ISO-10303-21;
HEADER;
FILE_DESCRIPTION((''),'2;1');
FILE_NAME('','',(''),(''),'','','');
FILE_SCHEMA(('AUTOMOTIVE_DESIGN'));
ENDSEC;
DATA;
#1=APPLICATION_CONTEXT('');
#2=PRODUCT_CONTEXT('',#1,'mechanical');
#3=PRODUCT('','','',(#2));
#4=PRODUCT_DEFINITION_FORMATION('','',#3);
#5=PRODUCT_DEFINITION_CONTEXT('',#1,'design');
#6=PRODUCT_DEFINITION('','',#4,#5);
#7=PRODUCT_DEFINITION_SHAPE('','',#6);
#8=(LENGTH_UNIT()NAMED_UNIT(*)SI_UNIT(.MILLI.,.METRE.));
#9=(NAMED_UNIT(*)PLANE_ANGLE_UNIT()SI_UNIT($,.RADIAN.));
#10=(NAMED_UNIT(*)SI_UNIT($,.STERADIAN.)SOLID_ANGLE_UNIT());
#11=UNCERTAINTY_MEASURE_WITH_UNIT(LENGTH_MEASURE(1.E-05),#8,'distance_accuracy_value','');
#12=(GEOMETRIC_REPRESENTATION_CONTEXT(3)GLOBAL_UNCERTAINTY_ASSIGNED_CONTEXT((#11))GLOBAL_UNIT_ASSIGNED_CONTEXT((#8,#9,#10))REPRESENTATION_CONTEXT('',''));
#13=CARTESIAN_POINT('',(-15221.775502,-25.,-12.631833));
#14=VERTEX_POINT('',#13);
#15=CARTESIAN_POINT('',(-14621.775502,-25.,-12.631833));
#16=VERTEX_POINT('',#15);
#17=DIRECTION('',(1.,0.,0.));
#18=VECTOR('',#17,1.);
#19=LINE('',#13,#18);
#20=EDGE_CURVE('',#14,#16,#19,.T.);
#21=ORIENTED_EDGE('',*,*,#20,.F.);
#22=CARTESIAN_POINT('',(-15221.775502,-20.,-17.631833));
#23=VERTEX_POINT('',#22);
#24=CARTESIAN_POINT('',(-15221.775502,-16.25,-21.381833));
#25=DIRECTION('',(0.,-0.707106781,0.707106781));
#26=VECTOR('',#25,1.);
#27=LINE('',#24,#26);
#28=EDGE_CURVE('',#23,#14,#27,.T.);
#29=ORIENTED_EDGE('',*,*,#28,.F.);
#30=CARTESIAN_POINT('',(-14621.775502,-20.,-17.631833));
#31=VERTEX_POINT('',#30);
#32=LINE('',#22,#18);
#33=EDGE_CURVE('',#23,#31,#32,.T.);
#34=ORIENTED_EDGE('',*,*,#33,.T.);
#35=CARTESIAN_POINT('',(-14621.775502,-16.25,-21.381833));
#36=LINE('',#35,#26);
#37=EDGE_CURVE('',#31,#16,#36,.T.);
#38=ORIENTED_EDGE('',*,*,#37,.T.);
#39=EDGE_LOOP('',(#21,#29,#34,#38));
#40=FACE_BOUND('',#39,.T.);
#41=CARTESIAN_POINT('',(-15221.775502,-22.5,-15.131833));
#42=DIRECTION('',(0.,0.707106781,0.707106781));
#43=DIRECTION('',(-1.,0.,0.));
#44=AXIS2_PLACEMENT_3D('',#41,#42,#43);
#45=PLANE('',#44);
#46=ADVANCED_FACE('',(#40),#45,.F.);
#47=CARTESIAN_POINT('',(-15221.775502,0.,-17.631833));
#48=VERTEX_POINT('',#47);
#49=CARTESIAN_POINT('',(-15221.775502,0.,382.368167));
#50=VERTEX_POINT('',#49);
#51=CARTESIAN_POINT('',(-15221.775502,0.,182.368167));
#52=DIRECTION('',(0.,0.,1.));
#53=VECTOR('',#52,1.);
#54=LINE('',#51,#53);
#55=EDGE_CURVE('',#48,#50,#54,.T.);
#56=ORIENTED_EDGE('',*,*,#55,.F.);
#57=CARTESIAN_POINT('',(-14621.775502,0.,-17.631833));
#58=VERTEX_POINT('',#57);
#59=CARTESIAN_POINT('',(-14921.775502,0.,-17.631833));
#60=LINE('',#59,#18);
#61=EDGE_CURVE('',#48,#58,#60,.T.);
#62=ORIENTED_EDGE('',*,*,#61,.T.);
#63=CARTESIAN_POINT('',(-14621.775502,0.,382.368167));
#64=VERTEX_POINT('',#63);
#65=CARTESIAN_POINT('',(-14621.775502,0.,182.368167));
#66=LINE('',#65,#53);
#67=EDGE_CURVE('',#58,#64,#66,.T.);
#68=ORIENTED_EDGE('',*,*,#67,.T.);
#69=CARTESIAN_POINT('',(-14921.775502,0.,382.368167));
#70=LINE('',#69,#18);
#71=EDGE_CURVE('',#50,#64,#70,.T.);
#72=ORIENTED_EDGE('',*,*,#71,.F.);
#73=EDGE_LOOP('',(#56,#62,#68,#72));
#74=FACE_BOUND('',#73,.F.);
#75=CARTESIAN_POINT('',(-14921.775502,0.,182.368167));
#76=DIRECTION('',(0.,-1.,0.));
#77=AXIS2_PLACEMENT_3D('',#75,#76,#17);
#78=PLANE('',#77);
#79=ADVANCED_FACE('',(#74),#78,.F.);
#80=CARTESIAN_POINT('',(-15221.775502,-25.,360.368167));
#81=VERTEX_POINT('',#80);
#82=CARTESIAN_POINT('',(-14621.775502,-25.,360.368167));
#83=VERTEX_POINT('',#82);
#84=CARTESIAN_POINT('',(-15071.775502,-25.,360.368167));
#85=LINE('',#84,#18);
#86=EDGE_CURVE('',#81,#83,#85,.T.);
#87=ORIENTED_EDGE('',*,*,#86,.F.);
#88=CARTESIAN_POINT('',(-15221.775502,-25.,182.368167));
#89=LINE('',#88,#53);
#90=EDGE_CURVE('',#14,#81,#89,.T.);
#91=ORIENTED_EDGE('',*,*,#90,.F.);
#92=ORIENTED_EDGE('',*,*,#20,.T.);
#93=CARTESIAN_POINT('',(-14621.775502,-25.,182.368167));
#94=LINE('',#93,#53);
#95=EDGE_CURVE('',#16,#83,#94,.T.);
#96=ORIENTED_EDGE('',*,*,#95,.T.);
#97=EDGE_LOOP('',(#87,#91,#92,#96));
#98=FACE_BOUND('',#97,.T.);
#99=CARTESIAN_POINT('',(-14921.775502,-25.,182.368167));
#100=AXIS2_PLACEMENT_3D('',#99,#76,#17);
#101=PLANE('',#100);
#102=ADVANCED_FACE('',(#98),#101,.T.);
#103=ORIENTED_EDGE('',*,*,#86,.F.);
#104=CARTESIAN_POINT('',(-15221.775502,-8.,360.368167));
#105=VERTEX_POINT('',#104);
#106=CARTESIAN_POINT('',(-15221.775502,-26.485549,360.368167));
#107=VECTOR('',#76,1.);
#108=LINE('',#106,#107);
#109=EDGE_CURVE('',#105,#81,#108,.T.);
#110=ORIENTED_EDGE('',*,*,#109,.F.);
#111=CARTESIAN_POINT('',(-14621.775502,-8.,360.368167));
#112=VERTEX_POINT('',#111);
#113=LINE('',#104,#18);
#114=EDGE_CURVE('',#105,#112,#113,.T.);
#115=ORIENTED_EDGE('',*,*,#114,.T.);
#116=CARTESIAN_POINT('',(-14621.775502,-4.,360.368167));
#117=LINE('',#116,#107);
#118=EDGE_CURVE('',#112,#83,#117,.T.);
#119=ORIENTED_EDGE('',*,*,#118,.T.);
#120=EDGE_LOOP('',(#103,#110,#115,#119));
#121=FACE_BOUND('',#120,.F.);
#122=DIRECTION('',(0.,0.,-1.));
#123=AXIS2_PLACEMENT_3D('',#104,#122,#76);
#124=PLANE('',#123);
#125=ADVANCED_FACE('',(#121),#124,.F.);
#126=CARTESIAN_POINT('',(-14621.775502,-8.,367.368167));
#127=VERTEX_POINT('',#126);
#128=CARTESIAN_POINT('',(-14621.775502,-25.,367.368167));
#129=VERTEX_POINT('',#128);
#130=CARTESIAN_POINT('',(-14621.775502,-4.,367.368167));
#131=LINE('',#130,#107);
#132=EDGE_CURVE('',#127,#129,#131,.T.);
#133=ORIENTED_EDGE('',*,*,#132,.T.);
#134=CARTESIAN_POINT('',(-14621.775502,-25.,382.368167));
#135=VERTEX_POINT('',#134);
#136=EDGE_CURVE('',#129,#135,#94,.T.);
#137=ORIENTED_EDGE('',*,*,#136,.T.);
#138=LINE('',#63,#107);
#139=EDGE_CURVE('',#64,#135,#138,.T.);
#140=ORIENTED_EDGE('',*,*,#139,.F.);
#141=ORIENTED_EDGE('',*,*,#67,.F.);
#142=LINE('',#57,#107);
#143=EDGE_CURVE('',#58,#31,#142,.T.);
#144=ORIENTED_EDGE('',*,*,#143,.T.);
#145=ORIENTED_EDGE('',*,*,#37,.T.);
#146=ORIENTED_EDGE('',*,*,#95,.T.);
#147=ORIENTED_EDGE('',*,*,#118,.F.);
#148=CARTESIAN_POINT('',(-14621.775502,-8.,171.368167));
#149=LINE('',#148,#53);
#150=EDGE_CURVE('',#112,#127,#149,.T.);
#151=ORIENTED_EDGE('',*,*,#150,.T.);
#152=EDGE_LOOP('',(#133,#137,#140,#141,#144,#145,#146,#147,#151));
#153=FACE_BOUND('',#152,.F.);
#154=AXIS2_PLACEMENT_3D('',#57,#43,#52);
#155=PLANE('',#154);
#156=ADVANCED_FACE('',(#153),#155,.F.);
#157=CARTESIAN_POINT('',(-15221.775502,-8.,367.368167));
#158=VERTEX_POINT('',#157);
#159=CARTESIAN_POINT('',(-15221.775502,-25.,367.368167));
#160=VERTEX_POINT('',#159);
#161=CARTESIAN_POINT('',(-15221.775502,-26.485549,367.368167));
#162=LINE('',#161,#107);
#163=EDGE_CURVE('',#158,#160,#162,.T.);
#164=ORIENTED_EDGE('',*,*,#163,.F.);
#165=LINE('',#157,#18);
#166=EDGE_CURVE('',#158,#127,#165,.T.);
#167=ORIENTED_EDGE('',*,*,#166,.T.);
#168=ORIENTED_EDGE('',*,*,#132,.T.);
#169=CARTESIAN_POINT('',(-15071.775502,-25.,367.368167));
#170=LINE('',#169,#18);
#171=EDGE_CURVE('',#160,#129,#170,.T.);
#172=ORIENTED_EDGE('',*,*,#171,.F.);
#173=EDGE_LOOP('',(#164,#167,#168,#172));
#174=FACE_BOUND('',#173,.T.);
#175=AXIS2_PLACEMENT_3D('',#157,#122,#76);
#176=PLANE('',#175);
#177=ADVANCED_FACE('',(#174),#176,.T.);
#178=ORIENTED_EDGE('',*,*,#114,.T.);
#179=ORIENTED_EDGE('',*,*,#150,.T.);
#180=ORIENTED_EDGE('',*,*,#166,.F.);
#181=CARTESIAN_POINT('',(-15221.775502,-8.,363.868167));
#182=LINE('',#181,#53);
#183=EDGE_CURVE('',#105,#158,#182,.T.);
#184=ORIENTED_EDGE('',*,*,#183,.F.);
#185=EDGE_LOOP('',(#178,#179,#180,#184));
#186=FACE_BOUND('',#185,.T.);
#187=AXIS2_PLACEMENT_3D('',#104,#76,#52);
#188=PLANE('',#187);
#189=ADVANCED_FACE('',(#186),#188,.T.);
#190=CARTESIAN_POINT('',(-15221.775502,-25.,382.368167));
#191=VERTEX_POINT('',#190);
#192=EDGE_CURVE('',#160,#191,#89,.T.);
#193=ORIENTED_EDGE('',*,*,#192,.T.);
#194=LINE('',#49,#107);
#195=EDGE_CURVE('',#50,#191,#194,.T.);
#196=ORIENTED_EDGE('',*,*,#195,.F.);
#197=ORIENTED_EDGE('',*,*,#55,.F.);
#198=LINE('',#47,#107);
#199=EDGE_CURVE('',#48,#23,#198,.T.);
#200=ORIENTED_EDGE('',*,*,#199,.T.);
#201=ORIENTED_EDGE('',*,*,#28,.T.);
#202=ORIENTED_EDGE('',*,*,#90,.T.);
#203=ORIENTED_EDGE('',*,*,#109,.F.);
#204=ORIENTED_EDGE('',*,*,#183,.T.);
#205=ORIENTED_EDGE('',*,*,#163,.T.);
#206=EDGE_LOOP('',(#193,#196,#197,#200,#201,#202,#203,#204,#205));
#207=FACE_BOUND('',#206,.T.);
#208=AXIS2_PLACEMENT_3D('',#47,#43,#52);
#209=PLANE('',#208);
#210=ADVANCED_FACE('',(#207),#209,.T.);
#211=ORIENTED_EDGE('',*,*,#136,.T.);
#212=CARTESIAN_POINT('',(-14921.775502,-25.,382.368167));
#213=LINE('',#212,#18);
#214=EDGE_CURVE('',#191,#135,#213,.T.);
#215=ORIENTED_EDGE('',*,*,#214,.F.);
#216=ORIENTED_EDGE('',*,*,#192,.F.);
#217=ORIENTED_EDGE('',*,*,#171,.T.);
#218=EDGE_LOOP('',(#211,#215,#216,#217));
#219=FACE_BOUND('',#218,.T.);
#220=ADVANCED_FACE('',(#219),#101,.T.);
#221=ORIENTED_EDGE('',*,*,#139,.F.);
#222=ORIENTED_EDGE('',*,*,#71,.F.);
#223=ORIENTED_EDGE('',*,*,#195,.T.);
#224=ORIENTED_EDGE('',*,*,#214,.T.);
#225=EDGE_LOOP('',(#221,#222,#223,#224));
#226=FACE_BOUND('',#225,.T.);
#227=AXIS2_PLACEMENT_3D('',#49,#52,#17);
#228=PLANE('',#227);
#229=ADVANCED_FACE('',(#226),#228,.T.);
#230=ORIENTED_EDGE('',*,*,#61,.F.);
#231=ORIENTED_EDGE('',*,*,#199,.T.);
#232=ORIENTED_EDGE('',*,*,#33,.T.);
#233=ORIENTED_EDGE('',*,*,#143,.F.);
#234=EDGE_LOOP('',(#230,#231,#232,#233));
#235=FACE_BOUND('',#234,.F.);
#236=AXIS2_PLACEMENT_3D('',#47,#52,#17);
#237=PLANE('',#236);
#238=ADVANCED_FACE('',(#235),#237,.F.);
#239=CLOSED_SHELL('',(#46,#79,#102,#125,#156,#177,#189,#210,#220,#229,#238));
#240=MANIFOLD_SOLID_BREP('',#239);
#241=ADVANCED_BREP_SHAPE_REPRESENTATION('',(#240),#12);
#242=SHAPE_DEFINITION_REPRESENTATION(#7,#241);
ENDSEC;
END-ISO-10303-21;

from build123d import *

# Parameters (mm, degrees)
F0_W     = 600
F0_H     = 400
F1_DEPTH = 25
F2_SIZE  = 5
F3_W     = 36.971099
F3_H     = 7
F4_DEPTH = 1000


with BuildPart() as f1:
    # F0 (on Front) → F1 (new body)
    with BuildSketch(Plane.XZ):
        with Locations((-14921.775502, 182.368167)):
            Rectangle(F0_W, F0_H)
    extrude(amount=F1_DEPTH)

    # F2
    f2_edges = [f1.edges().sort_by_distance(p)[0] for p in [
        (-14921.775502, -25, -17.631833),
    ]]
    chamfer(f2_edges, length=F2_SIZE)

    # F3 (on face) → F4 (cut)
    with BuildSketch(Plane(origin=(-15221.775502, 0, 0), x_dir=(0, -1, 0), z_dir=(-1, 0, 0))):
        with Locations((26.485549, 363.868167)):
            Rectangle(F3_W, F3_H)
    extrude(amount=-F4_DEPTH, mode=Mode.SUBTRACT)


solid = f1.part
